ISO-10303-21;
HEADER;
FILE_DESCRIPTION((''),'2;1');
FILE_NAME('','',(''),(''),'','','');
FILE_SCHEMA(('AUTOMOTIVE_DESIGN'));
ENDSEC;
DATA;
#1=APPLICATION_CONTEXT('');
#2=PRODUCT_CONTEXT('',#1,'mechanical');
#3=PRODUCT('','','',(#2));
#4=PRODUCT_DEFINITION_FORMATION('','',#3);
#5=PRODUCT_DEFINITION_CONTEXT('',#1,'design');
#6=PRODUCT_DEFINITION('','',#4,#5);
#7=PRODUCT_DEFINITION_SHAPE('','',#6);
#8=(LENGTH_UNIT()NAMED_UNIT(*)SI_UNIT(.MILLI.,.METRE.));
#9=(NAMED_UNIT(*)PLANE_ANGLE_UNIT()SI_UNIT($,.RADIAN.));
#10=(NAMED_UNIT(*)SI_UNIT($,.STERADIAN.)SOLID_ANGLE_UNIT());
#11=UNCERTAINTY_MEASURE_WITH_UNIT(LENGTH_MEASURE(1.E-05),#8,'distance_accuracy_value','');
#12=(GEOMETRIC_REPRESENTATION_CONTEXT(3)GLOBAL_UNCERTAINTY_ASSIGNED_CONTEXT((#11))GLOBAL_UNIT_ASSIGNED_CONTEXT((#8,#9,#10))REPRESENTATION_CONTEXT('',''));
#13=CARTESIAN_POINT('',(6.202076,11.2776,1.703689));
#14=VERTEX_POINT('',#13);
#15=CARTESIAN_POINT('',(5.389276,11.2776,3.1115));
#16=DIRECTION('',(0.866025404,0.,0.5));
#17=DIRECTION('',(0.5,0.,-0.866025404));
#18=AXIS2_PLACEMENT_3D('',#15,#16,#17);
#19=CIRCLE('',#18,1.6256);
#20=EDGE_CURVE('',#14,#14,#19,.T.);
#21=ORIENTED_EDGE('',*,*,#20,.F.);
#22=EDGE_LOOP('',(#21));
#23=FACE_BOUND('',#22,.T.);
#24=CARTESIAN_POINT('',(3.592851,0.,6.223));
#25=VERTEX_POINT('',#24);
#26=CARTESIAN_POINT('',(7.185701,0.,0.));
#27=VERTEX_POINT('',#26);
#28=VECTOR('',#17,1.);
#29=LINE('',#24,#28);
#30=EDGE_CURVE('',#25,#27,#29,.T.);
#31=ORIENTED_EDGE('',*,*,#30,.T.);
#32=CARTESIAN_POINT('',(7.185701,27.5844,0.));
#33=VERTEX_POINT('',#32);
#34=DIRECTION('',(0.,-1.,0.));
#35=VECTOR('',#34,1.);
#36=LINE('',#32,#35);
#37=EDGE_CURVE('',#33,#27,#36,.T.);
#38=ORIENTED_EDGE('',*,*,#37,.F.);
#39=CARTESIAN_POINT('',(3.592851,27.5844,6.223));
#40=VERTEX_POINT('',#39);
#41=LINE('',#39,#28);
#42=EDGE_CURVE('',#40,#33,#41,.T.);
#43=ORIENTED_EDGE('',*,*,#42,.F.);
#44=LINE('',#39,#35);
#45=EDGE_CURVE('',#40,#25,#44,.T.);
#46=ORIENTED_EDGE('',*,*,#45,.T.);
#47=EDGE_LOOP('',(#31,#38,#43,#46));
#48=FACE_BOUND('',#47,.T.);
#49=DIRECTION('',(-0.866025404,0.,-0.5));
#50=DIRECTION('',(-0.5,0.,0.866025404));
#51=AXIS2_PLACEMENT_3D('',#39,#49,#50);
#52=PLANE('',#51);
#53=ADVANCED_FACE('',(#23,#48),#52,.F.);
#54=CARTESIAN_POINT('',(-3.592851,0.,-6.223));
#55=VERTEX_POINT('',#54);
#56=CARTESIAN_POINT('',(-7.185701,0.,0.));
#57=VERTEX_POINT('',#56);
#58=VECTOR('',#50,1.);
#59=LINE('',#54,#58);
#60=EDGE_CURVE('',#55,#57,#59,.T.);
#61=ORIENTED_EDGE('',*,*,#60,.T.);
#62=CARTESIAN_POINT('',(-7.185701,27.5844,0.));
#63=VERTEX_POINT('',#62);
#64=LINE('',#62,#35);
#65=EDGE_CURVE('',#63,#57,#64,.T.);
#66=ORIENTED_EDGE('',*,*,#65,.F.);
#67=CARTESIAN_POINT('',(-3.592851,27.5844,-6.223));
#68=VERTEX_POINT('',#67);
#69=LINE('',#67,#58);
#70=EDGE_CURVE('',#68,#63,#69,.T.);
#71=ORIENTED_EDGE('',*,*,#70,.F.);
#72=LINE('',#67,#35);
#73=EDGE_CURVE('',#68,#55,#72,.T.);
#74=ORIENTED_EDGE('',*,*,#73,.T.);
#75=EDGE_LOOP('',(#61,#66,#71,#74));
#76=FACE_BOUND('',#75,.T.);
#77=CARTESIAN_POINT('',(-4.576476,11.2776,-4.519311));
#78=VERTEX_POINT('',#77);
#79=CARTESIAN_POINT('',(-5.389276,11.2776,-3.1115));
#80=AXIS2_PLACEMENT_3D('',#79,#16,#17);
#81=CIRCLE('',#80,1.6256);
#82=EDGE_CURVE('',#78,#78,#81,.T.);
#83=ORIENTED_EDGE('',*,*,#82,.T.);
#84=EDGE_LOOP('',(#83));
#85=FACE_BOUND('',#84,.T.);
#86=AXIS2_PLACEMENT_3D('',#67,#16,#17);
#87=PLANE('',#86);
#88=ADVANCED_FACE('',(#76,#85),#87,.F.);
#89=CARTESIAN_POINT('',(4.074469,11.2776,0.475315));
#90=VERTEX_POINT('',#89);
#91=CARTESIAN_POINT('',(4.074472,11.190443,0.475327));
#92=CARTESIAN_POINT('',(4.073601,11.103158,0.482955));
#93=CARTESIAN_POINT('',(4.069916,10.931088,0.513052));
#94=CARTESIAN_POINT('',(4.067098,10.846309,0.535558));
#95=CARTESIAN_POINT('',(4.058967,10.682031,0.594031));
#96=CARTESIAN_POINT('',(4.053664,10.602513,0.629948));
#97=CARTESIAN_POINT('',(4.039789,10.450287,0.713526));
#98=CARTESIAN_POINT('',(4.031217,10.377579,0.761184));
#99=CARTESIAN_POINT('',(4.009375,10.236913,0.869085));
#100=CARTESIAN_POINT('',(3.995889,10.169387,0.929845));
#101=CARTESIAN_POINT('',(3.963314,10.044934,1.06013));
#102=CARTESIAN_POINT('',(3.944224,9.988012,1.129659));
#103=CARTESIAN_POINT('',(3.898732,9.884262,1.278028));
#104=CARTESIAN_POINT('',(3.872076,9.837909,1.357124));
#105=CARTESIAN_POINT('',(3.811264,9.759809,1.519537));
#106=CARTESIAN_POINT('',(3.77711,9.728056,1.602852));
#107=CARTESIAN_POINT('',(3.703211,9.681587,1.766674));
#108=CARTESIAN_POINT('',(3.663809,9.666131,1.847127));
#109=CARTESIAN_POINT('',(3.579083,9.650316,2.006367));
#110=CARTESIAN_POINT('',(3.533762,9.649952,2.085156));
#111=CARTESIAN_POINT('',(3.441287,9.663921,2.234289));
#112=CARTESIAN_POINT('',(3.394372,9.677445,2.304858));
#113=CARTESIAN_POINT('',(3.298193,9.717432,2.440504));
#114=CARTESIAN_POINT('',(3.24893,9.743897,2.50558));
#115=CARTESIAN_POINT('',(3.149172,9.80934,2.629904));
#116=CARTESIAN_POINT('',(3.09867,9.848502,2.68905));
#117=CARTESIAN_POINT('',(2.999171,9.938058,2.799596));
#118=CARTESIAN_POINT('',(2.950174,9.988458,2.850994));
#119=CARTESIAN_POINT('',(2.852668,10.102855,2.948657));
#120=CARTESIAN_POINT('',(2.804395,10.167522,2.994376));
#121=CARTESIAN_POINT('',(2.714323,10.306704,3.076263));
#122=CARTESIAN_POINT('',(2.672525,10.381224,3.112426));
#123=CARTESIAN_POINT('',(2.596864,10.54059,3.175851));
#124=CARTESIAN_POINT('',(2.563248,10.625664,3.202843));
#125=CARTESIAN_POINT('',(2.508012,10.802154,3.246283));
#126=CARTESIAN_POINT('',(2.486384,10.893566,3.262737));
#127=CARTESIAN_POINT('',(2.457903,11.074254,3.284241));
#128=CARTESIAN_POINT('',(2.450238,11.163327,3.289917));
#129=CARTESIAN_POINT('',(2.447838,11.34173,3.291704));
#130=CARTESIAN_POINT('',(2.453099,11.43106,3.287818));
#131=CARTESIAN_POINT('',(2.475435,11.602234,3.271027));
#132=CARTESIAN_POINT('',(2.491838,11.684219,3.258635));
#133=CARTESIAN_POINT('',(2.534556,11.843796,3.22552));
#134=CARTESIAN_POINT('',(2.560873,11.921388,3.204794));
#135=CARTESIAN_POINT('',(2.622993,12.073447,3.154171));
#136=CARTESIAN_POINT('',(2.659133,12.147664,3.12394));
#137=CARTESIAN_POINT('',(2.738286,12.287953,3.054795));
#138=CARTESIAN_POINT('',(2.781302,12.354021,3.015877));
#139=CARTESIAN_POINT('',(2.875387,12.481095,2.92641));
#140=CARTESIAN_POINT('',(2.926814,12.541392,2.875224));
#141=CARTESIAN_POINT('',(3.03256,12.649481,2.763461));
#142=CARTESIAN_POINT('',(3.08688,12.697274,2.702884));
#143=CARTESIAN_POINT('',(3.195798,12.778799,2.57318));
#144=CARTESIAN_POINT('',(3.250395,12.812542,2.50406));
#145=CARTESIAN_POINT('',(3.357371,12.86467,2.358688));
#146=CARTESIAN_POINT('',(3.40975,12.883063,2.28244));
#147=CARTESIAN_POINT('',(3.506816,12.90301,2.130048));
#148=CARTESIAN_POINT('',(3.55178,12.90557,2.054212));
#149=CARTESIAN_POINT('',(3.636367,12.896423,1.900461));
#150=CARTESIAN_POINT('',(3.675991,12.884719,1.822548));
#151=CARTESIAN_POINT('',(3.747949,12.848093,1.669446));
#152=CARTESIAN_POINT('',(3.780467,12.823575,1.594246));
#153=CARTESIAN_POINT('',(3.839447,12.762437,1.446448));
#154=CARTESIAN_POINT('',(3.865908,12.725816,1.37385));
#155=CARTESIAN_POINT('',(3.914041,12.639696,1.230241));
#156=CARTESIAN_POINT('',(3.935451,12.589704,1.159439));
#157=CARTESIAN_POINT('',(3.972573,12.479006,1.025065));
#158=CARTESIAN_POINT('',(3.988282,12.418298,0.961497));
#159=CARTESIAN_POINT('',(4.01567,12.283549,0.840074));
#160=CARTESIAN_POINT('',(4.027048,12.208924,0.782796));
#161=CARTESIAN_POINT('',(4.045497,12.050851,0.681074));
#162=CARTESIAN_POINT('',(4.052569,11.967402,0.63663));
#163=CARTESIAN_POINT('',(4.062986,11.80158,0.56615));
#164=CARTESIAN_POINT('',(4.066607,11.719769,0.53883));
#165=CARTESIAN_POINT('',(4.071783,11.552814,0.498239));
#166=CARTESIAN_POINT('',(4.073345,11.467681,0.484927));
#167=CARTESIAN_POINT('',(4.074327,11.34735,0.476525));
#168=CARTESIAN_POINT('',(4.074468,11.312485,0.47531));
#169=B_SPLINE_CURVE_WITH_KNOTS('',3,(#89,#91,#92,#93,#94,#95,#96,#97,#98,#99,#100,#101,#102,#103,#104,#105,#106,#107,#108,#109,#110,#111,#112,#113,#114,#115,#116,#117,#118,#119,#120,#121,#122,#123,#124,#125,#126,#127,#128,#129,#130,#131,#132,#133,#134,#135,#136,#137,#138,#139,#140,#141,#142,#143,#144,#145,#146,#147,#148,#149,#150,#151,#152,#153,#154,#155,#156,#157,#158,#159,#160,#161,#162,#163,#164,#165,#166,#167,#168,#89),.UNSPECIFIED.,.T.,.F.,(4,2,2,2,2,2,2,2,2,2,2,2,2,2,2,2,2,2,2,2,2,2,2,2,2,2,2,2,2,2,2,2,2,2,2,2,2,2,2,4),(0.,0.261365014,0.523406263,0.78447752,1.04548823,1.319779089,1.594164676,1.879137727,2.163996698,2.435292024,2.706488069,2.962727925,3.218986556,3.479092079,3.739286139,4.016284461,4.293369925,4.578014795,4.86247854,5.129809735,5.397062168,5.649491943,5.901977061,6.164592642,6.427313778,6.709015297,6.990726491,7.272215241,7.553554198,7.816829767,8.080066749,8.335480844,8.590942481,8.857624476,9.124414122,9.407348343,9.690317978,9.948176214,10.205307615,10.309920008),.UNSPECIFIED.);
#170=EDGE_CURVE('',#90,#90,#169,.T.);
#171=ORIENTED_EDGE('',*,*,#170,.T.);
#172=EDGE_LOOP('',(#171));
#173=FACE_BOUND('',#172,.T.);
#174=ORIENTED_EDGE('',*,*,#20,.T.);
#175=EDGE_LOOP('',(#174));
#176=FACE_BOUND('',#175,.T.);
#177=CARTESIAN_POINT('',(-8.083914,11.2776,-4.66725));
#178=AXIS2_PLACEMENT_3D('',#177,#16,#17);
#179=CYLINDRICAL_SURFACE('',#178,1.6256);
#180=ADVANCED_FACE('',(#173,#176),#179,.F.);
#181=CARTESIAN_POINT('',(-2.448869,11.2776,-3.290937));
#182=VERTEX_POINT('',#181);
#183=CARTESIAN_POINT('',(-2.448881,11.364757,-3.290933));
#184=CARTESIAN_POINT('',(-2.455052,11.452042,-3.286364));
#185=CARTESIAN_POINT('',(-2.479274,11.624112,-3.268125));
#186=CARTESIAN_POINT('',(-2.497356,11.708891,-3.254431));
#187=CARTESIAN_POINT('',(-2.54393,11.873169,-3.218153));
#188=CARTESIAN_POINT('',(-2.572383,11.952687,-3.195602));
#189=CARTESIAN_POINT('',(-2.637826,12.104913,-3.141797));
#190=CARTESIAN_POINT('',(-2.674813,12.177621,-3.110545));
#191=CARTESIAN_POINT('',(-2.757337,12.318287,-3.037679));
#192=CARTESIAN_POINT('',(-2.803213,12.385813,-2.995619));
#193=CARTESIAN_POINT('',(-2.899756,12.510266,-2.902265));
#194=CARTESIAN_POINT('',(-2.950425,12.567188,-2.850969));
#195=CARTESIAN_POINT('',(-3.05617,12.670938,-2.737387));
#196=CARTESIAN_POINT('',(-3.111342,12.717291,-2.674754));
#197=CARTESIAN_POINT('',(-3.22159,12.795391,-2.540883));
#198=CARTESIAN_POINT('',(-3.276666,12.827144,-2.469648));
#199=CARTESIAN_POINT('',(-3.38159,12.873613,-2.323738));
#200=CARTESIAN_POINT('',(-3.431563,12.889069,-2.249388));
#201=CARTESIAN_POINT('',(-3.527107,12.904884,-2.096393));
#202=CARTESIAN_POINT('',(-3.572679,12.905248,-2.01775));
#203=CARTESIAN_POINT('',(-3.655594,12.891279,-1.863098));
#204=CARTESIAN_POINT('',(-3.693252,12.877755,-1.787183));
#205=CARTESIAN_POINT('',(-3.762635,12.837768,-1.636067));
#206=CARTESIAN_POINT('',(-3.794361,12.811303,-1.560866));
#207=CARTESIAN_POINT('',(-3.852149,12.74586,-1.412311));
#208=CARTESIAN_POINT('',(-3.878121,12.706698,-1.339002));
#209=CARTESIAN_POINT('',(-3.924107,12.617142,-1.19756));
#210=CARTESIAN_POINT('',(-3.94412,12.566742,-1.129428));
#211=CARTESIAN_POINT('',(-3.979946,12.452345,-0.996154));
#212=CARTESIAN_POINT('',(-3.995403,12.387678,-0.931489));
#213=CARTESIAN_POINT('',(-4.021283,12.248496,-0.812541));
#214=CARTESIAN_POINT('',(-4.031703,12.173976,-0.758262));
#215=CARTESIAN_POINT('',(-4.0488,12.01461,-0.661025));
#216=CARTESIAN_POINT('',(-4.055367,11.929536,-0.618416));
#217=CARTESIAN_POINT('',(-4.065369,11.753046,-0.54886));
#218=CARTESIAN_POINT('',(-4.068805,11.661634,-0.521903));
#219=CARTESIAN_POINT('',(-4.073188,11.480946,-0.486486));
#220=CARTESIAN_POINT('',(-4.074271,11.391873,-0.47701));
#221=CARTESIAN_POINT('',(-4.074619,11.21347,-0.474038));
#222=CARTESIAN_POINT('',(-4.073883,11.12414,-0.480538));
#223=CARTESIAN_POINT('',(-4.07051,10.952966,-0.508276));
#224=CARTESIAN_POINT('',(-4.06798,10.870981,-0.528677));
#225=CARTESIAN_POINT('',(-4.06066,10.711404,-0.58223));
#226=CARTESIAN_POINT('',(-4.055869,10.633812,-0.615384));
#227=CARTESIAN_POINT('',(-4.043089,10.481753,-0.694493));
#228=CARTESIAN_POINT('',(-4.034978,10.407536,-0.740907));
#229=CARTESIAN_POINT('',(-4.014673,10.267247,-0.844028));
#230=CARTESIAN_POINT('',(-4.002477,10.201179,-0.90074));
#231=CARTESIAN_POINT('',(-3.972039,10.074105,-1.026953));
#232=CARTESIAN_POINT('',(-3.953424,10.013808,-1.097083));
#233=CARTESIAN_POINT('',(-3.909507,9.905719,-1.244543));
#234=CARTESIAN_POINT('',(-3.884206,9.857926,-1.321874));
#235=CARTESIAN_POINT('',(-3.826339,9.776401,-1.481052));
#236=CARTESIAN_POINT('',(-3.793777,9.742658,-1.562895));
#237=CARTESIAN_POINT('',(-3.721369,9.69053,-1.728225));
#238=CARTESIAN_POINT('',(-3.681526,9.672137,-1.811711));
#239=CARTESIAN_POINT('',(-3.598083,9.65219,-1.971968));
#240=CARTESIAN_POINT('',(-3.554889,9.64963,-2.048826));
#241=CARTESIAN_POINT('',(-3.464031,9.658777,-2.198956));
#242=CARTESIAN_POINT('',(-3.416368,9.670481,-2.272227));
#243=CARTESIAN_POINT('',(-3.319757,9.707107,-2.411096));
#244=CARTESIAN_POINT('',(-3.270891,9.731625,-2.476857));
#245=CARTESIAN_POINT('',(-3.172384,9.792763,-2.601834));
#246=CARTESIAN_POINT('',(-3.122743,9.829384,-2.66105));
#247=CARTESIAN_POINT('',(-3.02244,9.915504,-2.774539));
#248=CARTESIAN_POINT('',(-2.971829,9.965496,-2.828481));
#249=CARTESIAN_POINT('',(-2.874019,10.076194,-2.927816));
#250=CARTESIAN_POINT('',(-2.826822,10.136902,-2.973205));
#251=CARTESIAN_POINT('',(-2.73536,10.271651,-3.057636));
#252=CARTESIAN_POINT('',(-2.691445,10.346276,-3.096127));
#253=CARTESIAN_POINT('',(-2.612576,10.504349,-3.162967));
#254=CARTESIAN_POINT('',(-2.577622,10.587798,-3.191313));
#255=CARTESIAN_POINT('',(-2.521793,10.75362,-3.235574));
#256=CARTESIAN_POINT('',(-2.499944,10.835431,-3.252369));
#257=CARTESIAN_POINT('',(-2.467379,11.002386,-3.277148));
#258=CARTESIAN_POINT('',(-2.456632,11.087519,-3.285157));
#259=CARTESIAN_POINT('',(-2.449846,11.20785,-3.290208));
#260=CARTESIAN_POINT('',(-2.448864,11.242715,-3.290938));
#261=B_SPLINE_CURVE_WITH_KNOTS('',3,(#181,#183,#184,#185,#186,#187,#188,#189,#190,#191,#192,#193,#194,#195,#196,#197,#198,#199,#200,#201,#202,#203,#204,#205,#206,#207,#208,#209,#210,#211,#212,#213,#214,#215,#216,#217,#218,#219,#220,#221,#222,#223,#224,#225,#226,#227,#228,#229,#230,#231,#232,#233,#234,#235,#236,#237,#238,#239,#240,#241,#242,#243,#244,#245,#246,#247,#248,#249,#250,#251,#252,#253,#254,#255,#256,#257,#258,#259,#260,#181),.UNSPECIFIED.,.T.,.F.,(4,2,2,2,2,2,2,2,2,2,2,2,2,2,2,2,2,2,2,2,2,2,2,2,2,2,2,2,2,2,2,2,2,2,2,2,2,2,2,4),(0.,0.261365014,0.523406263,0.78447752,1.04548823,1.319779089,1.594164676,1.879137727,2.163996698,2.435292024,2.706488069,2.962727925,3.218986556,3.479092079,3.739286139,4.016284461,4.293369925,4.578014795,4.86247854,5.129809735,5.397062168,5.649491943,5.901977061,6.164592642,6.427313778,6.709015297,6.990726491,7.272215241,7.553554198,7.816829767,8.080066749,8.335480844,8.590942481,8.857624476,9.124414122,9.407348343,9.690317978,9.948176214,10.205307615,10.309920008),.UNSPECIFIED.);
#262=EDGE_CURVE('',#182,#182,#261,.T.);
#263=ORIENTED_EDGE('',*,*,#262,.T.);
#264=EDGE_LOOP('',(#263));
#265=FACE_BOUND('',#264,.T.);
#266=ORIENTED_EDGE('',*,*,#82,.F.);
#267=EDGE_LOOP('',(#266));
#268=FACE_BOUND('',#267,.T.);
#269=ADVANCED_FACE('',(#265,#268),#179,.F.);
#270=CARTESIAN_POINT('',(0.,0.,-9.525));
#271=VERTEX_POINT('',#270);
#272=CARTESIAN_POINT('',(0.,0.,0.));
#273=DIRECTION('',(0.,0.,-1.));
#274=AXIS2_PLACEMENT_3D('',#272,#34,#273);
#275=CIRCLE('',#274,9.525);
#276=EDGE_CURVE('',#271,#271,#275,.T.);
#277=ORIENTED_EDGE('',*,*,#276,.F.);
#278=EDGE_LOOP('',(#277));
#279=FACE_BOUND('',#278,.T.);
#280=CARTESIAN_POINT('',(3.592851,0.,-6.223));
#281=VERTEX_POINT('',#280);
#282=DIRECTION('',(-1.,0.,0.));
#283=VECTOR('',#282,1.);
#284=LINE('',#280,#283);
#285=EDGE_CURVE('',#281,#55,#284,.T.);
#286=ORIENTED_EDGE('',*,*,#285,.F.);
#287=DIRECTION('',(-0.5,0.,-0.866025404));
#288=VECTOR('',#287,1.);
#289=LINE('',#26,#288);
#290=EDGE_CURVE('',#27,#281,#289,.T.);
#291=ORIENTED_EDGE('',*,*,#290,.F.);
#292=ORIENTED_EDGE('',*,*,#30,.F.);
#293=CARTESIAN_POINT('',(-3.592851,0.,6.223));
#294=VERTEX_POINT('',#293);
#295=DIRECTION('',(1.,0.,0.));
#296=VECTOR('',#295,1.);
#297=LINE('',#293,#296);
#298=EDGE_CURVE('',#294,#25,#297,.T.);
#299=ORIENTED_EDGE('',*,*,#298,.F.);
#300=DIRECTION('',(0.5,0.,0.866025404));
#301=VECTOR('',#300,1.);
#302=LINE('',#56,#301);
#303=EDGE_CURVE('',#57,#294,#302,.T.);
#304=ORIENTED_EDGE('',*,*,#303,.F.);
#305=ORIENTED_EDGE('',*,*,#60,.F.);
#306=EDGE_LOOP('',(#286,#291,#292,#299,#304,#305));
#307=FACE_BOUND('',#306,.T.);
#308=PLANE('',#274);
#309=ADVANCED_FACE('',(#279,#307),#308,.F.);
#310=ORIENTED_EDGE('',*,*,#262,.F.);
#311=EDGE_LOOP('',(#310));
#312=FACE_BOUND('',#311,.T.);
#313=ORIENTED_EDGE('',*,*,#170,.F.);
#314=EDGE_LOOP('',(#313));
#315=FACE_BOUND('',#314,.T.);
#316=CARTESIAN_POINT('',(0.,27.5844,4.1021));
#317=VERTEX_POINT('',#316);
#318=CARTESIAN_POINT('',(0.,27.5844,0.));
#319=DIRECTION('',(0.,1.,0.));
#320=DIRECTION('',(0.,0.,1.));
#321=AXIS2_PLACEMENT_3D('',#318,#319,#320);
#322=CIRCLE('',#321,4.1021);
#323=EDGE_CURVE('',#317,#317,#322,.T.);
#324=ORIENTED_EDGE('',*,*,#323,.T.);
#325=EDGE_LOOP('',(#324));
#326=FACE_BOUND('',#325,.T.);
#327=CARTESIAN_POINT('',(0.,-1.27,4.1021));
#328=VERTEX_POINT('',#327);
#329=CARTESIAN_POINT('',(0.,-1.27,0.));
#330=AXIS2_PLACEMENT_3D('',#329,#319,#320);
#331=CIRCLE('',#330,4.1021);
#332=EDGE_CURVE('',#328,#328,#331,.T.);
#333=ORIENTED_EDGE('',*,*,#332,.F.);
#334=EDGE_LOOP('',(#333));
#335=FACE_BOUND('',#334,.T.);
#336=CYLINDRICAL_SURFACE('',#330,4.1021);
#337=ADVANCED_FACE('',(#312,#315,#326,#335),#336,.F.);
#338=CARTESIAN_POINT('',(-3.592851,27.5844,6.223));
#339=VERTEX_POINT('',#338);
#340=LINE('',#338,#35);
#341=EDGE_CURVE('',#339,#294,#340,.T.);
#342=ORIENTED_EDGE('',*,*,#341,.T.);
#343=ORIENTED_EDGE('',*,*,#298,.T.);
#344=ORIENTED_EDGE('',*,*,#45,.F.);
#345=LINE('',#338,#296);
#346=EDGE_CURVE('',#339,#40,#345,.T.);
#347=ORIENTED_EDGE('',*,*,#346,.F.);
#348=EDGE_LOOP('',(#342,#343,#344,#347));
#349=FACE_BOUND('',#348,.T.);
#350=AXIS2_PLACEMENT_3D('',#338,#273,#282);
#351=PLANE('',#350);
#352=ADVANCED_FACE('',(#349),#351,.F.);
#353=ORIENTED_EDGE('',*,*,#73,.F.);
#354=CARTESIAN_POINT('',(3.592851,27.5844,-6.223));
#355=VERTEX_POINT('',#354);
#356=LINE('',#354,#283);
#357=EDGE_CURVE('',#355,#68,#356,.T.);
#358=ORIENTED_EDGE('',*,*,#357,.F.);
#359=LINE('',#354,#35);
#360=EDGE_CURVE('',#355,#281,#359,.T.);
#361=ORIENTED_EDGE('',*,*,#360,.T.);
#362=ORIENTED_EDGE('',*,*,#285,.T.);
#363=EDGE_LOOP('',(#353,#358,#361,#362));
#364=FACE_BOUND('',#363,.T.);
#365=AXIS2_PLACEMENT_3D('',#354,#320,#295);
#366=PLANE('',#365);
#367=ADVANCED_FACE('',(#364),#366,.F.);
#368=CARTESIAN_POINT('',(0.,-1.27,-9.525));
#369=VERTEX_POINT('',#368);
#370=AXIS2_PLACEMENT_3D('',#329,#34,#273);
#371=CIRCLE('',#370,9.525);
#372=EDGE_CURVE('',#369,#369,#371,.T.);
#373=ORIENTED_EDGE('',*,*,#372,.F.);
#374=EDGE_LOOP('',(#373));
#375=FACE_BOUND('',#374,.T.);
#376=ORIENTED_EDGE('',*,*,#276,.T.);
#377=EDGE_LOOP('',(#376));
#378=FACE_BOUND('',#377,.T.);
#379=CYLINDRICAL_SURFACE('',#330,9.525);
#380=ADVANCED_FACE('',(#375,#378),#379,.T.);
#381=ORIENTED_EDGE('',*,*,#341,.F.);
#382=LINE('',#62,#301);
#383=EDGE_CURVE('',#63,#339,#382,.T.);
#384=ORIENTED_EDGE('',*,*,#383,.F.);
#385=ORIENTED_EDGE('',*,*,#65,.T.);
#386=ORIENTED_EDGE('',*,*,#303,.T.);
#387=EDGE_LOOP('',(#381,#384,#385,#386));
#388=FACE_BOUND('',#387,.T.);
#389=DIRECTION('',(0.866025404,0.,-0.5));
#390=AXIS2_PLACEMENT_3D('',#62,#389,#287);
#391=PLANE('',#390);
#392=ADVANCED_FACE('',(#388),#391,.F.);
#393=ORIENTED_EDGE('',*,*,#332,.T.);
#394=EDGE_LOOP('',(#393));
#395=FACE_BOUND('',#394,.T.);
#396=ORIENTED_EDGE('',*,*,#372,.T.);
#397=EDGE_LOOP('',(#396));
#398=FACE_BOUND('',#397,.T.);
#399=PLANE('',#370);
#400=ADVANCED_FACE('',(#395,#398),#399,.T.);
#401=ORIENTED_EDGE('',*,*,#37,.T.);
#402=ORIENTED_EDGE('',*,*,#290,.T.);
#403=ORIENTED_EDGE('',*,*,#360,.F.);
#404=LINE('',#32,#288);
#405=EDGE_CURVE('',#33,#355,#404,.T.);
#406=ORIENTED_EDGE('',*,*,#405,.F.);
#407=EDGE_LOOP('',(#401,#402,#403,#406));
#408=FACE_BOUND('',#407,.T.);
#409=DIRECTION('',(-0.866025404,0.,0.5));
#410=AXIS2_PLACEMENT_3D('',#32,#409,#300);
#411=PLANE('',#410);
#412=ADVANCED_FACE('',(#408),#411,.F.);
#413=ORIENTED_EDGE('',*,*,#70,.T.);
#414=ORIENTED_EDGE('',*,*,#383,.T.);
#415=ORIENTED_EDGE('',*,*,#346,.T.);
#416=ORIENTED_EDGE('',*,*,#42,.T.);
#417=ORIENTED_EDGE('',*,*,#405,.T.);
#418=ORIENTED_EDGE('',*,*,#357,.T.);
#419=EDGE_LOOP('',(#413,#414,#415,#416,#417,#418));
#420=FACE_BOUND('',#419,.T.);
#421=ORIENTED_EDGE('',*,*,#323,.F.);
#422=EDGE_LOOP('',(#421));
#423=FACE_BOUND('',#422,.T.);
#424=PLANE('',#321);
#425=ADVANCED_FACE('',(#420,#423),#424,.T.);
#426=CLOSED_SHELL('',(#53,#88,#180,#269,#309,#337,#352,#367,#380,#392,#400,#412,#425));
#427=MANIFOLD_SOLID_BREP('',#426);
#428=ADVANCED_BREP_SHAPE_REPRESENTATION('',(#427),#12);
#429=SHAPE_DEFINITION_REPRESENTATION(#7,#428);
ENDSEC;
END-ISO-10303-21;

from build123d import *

# Parameters (mm, degrees)
BOSS_EXTRUDE1_DEPTH = 27.5844
SKETCH3_R           = 1.6256
CUT_EXTRUDE2_DEPTH  = 16.5575
SKETCH4_R           = 9.525
BOSS_EXTRUDE3_DEPTH = 1.27
SKETCH2_R           = 4.1021
CUT_EXTRUDE1_DEPTH  = 29.8544


with BuildPart() as part:
    # Sketch1 → Boss-Extrude1 (new body)
    with BuildSketch(Plane(origin=(0, 0, 0), x_dir=(1, 0, 0), z_dir=(0, 1, 0))):
        Polygon((-3.592850725, 6.223), (-7.18570145, 0), (-3.592850725, -6.223), (3.592850725, -6.223), (7.18570145, 0), (3.592850725, 6.223), align=None)
    extrude(amount=BOSS_EXTRUDE1_DEPTH)

    # Sketch3 → Cut-Extrude2 (cut, through all)
    with BuildSketch(Plane(origin=(5.389276088, 0, 3.1115), x_dir=(0.5, 0, -0.866025404), z_dir=(0.866025404, 0, 0.5))):
        with Locations((0, 11.2776)):
            Circle(SKETCH3_R)
    extrude(amount=-CUT_EXTRUDE2_DEPTH, mode=Mode.SUBTRACT)

    # Sketch4 → Boss-Extrude3 (add)
    with BuildSketch(Plane.XZ):
        Circle(SKETCH4_R)
    extrude(amount=BOSS_EXTRUDE3_DEPTH)

    # Sketch2 → Cut-Extrude1 (cut, through all)
    with BuildSketch(Plane(origin=(0, 27.5844, 0), x_dir=(1, 0, 0), z_dir=(0, 1, 0))):
        Circle(SKETCH2_R)
    extrude(amount=-CUT_EXTRUDE1_DEPTH, mode=Mode.SUBTRACT)


solid = part.part
